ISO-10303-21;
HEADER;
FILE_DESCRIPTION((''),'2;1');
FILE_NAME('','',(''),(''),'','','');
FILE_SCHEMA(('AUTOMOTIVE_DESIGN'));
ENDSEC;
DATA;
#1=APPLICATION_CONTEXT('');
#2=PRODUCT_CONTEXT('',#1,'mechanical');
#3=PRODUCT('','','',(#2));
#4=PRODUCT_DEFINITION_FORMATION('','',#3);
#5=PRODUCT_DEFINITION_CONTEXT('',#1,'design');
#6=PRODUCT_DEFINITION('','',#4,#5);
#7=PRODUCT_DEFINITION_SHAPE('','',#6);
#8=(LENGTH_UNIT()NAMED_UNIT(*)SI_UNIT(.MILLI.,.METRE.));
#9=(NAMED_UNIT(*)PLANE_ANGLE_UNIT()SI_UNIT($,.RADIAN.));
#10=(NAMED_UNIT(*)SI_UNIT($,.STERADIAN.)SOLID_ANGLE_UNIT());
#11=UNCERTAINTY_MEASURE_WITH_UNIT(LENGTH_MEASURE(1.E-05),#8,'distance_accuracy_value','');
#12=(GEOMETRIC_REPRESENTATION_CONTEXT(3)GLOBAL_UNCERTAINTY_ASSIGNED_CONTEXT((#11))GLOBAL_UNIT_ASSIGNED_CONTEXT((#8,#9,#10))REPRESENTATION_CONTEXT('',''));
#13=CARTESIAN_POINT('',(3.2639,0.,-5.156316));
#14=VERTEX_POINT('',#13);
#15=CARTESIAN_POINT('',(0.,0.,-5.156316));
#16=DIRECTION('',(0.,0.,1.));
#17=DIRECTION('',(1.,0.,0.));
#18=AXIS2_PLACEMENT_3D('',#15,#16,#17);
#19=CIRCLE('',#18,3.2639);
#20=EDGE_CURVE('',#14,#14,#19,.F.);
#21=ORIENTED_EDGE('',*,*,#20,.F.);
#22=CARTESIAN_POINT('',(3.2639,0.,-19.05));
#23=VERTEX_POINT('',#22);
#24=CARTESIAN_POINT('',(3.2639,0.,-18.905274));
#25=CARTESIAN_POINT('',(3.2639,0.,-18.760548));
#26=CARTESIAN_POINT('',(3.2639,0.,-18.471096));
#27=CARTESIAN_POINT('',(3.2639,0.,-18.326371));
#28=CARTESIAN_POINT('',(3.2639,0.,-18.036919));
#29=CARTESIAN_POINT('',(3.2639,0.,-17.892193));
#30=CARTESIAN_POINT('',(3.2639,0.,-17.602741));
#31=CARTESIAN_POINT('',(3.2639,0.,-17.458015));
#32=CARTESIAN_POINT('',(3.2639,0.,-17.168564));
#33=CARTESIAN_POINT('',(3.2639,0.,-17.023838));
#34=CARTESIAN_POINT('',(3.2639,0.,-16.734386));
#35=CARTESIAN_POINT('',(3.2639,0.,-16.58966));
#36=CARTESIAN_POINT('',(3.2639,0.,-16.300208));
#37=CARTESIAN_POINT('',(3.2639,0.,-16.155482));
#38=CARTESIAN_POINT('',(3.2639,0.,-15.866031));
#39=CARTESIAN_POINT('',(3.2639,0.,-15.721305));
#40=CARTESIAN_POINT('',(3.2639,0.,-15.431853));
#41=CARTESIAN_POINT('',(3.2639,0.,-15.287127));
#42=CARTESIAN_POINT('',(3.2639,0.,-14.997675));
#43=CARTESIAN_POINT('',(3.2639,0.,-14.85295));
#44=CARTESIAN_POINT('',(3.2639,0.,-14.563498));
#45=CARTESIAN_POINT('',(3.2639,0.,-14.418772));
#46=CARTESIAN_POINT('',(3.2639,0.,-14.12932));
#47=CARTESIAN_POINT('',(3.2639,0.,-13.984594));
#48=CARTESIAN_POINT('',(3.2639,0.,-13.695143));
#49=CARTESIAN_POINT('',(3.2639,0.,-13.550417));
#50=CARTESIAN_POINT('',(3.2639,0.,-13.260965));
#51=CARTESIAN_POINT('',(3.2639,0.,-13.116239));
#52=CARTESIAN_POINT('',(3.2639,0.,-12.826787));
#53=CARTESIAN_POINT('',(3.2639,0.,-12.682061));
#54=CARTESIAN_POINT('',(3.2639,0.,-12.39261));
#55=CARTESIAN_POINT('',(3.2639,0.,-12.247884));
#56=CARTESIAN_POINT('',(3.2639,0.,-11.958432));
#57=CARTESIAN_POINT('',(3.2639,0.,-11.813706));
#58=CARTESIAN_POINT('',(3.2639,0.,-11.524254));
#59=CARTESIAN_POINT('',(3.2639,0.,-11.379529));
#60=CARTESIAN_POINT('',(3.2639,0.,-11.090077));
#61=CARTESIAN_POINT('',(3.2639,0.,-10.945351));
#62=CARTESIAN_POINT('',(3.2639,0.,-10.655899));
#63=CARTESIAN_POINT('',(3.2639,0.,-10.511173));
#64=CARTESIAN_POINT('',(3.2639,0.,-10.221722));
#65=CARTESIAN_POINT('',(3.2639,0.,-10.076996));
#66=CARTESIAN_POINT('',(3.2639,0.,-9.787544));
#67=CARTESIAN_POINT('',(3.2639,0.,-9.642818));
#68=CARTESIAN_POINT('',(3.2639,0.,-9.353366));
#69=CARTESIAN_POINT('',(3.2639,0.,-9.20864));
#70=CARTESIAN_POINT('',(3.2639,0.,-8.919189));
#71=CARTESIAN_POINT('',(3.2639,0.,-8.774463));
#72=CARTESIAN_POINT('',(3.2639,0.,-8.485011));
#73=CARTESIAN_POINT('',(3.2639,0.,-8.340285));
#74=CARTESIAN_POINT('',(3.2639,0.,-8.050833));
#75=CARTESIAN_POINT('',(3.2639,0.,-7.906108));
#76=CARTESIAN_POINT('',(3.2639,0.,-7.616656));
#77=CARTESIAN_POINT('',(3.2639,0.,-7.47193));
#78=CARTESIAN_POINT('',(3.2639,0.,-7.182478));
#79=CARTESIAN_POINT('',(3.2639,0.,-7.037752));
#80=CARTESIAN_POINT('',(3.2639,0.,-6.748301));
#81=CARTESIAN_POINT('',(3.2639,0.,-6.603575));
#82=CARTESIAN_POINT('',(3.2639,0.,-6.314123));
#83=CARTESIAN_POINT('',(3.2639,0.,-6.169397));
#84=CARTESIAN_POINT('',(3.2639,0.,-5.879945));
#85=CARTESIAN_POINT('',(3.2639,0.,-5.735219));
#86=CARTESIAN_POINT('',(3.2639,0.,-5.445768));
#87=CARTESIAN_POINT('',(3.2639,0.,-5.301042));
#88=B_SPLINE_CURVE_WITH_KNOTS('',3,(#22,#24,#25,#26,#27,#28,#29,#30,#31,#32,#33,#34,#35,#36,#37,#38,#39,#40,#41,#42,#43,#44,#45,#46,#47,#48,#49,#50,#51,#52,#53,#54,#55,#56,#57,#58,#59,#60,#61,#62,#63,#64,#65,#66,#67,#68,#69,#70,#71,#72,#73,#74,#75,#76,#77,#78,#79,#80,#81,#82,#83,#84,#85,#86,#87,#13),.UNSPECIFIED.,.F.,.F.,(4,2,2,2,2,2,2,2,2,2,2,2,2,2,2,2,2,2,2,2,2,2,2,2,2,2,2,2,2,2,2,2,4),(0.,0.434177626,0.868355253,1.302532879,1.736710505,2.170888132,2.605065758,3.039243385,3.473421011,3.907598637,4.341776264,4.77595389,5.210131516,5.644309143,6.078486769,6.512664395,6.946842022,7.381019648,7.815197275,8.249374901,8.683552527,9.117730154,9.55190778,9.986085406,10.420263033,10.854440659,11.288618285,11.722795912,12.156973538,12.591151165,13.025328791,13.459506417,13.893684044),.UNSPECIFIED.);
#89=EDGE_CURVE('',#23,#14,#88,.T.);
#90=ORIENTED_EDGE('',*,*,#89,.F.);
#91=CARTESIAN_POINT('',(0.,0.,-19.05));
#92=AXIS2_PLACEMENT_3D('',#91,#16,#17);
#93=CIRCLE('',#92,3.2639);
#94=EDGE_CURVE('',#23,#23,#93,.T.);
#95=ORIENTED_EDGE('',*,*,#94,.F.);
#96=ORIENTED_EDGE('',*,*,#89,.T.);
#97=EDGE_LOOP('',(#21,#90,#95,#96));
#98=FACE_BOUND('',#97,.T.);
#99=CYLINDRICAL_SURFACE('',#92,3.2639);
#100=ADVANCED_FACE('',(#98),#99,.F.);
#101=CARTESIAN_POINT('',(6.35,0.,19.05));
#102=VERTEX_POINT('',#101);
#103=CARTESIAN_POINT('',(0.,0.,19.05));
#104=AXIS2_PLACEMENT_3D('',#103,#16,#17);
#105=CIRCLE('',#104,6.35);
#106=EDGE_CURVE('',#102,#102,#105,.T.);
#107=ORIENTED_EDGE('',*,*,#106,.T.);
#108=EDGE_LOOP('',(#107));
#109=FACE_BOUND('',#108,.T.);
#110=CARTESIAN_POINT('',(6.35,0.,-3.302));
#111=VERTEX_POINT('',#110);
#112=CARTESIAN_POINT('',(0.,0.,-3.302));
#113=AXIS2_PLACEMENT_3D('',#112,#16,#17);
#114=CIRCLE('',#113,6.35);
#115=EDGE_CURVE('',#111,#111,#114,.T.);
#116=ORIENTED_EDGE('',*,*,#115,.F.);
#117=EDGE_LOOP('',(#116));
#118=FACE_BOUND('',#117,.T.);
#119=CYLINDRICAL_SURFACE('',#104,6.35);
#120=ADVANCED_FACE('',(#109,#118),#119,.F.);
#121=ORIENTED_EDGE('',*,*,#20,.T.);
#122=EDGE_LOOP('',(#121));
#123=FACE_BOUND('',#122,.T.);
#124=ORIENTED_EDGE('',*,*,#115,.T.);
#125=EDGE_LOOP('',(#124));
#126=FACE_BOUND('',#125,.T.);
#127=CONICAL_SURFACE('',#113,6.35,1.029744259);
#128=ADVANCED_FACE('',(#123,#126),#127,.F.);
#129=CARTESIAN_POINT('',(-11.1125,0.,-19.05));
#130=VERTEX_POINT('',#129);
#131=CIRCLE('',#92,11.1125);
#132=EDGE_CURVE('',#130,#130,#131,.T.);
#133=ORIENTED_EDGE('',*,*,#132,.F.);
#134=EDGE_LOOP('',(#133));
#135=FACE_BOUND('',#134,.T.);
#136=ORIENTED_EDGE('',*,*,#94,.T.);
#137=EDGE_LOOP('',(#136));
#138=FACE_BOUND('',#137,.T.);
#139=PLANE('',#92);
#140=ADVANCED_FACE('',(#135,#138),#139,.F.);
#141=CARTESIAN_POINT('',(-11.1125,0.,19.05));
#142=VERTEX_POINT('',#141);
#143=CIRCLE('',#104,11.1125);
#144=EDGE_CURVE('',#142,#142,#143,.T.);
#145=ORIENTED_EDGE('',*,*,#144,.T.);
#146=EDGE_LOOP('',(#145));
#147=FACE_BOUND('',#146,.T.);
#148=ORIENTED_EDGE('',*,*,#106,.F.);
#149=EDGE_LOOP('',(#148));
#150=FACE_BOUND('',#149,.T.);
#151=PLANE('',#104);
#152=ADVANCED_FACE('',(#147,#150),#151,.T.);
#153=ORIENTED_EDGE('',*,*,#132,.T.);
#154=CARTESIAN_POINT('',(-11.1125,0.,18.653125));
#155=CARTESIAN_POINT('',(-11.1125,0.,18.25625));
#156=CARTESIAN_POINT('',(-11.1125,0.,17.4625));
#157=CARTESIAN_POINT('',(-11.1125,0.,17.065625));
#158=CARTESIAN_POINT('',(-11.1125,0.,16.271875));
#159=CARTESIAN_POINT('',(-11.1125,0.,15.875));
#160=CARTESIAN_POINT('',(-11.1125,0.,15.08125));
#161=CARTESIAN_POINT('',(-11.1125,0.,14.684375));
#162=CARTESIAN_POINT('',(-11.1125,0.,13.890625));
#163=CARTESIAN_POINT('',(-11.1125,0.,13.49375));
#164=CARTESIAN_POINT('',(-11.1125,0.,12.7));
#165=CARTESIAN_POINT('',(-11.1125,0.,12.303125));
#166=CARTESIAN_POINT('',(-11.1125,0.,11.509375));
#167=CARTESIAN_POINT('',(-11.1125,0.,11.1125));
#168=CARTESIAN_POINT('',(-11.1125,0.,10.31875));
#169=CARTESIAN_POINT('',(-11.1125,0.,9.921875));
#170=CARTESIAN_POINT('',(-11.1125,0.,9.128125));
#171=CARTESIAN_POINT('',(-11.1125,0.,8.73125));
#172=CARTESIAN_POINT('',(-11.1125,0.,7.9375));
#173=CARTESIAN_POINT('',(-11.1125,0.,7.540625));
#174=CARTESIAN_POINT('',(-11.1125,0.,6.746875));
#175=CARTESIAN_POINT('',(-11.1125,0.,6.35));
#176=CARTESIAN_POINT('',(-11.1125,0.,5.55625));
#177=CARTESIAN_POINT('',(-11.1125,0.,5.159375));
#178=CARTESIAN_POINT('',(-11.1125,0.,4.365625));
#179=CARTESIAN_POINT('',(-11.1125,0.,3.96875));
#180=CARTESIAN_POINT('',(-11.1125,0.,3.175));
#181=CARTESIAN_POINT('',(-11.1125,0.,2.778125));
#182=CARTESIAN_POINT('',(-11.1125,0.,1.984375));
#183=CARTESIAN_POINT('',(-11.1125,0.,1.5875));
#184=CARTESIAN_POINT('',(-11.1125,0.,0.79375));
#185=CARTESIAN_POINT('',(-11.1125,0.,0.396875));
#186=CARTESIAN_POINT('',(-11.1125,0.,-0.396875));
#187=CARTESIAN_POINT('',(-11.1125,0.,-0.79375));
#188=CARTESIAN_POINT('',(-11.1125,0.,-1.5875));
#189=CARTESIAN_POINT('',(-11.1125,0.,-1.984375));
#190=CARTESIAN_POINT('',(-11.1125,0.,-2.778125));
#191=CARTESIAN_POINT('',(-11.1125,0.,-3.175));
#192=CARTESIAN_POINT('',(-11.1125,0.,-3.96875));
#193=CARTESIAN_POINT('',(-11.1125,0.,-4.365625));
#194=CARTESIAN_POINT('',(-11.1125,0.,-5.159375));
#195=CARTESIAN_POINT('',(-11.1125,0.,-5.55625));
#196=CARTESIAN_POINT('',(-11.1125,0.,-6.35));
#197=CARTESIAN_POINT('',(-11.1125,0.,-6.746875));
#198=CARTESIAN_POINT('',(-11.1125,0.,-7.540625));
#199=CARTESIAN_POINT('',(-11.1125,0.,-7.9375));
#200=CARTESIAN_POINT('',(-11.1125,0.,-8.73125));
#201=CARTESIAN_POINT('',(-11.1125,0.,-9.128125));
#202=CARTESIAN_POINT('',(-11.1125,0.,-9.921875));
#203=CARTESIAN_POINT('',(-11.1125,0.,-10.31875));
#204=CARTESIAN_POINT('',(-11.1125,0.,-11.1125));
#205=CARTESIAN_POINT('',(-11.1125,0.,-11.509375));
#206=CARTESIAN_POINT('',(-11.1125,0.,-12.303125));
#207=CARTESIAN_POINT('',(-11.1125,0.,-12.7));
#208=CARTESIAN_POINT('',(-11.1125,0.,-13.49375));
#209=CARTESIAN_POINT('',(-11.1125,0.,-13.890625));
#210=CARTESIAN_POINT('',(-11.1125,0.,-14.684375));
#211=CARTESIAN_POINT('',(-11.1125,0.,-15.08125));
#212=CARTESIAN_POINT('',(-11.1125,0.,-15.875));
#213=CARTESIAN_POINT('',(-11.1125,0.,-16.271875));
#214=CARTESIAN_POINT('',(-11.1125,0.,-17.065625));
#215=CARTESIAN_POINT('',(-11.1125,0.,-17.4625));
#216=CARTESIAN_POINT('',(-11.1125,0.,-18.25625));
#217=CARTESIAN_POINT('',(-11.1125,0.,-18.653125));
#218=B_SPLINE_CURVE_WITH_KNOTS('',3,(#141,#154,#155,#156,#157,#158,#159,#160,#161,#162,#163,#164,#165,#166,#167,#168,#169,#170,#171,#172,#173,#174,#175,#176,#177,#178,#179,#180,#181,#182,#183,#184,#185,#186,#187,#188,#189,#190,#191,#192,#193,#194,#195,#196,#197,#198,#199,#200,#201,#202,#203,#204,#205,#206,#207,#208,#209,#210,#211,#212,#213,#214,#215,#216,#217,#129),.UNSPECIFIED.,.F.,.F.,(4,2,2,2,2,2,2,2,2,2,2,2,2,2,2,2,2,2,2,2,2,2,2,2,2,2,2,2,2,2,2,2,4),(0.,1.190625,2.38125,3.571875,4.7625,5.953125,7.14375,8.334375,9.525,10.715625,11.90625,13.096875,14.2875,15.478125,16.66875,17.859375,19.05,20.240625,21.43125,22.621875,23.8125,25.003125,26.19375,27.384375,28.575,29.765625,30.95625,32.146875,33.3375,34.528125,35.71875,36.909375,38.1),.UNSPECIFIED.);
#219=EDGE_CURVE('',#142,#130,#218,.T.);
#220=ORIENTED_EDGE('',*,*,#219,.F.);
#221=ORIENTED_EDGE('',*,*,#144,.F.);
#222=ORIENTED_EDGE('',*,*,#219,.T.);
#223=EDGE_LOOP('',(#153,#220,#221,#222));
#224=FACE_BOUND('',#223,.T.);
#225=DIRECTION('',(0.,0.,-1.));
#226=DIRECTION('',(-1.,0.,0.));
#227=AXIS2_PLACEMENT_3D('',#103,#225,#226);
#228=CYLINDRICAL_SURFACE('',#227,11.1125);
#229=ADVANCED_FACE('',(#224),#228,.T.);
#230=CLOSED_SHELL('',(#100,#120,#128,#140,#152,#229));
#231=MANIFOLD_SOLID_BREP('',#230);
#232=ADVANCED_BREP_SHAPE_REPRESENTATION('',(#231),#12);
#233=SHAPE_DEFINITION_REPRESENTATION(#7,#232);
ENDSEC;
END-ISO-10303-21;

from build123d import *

# Parameters (mm, degrees)
SKETCH1_R                      = 11.1125
BOSS_EXTRUDE1_DEPTH            = 19.05
F_1_2_0_5_DIAMETER_HOLE1_D     = 12.7
F_1_2_0_5_DIAMETER_HOLE1_DEPTH = 22.352
F_1_2_0_5_DIAMETER_HOLE1_TIP   = 3.815464931
SKETCH10_R                     = 3.2639
CUT_EXTRUDE3_DEPTH             = 42.21389708


with BuildPart() as part:
    # Sketch1 → Boss-Extrude1 (new, symmetric)
    with BuildSketch(Plane.XY):
        with Locations(Location((0, 0, 0), (0, 0, 180))):
            Circle(SKETCH1_R)
    extrude(amount=BOSS_EXTRUDE1_DEPTH, both=True)

    # 1/2 (0.5) Diameter Hole1
    with Locations(Plane.XY.offset(19.05)):
        with Locations((0, 0)):
            Hole(F_1_2_0_5_DIAMETER_HOLE1_D / 2, depth=F_1_2_0_5_DIAMETER_HOLE1_DEPTH)
            with Locations((0, 0, -(F_1_2_0_5_DIAMETER_HOLE1_DEPTH + F_1_2_0_5_DIAMETER_HOLE1_TIP / 2))):  # 118° drill point
                Cone(0, F_1_2_0_5_DIAMETER_HOLE1_D / 2, F_1_2_0_5_DIAMETER_HOLE1_TIP, mode=Mode.SUBTRACT)

    # Sketch10 → Cut-Extrude3 (cut, through all)
    with BuildSketch(Plane.XY.offset(19.05)):
        Circle(SKETCH10_R)
    extrude(amount=-CUT_EXTRUDE3_DEPTH, mode=Mode.SUBTRACT)


solid = part.part
